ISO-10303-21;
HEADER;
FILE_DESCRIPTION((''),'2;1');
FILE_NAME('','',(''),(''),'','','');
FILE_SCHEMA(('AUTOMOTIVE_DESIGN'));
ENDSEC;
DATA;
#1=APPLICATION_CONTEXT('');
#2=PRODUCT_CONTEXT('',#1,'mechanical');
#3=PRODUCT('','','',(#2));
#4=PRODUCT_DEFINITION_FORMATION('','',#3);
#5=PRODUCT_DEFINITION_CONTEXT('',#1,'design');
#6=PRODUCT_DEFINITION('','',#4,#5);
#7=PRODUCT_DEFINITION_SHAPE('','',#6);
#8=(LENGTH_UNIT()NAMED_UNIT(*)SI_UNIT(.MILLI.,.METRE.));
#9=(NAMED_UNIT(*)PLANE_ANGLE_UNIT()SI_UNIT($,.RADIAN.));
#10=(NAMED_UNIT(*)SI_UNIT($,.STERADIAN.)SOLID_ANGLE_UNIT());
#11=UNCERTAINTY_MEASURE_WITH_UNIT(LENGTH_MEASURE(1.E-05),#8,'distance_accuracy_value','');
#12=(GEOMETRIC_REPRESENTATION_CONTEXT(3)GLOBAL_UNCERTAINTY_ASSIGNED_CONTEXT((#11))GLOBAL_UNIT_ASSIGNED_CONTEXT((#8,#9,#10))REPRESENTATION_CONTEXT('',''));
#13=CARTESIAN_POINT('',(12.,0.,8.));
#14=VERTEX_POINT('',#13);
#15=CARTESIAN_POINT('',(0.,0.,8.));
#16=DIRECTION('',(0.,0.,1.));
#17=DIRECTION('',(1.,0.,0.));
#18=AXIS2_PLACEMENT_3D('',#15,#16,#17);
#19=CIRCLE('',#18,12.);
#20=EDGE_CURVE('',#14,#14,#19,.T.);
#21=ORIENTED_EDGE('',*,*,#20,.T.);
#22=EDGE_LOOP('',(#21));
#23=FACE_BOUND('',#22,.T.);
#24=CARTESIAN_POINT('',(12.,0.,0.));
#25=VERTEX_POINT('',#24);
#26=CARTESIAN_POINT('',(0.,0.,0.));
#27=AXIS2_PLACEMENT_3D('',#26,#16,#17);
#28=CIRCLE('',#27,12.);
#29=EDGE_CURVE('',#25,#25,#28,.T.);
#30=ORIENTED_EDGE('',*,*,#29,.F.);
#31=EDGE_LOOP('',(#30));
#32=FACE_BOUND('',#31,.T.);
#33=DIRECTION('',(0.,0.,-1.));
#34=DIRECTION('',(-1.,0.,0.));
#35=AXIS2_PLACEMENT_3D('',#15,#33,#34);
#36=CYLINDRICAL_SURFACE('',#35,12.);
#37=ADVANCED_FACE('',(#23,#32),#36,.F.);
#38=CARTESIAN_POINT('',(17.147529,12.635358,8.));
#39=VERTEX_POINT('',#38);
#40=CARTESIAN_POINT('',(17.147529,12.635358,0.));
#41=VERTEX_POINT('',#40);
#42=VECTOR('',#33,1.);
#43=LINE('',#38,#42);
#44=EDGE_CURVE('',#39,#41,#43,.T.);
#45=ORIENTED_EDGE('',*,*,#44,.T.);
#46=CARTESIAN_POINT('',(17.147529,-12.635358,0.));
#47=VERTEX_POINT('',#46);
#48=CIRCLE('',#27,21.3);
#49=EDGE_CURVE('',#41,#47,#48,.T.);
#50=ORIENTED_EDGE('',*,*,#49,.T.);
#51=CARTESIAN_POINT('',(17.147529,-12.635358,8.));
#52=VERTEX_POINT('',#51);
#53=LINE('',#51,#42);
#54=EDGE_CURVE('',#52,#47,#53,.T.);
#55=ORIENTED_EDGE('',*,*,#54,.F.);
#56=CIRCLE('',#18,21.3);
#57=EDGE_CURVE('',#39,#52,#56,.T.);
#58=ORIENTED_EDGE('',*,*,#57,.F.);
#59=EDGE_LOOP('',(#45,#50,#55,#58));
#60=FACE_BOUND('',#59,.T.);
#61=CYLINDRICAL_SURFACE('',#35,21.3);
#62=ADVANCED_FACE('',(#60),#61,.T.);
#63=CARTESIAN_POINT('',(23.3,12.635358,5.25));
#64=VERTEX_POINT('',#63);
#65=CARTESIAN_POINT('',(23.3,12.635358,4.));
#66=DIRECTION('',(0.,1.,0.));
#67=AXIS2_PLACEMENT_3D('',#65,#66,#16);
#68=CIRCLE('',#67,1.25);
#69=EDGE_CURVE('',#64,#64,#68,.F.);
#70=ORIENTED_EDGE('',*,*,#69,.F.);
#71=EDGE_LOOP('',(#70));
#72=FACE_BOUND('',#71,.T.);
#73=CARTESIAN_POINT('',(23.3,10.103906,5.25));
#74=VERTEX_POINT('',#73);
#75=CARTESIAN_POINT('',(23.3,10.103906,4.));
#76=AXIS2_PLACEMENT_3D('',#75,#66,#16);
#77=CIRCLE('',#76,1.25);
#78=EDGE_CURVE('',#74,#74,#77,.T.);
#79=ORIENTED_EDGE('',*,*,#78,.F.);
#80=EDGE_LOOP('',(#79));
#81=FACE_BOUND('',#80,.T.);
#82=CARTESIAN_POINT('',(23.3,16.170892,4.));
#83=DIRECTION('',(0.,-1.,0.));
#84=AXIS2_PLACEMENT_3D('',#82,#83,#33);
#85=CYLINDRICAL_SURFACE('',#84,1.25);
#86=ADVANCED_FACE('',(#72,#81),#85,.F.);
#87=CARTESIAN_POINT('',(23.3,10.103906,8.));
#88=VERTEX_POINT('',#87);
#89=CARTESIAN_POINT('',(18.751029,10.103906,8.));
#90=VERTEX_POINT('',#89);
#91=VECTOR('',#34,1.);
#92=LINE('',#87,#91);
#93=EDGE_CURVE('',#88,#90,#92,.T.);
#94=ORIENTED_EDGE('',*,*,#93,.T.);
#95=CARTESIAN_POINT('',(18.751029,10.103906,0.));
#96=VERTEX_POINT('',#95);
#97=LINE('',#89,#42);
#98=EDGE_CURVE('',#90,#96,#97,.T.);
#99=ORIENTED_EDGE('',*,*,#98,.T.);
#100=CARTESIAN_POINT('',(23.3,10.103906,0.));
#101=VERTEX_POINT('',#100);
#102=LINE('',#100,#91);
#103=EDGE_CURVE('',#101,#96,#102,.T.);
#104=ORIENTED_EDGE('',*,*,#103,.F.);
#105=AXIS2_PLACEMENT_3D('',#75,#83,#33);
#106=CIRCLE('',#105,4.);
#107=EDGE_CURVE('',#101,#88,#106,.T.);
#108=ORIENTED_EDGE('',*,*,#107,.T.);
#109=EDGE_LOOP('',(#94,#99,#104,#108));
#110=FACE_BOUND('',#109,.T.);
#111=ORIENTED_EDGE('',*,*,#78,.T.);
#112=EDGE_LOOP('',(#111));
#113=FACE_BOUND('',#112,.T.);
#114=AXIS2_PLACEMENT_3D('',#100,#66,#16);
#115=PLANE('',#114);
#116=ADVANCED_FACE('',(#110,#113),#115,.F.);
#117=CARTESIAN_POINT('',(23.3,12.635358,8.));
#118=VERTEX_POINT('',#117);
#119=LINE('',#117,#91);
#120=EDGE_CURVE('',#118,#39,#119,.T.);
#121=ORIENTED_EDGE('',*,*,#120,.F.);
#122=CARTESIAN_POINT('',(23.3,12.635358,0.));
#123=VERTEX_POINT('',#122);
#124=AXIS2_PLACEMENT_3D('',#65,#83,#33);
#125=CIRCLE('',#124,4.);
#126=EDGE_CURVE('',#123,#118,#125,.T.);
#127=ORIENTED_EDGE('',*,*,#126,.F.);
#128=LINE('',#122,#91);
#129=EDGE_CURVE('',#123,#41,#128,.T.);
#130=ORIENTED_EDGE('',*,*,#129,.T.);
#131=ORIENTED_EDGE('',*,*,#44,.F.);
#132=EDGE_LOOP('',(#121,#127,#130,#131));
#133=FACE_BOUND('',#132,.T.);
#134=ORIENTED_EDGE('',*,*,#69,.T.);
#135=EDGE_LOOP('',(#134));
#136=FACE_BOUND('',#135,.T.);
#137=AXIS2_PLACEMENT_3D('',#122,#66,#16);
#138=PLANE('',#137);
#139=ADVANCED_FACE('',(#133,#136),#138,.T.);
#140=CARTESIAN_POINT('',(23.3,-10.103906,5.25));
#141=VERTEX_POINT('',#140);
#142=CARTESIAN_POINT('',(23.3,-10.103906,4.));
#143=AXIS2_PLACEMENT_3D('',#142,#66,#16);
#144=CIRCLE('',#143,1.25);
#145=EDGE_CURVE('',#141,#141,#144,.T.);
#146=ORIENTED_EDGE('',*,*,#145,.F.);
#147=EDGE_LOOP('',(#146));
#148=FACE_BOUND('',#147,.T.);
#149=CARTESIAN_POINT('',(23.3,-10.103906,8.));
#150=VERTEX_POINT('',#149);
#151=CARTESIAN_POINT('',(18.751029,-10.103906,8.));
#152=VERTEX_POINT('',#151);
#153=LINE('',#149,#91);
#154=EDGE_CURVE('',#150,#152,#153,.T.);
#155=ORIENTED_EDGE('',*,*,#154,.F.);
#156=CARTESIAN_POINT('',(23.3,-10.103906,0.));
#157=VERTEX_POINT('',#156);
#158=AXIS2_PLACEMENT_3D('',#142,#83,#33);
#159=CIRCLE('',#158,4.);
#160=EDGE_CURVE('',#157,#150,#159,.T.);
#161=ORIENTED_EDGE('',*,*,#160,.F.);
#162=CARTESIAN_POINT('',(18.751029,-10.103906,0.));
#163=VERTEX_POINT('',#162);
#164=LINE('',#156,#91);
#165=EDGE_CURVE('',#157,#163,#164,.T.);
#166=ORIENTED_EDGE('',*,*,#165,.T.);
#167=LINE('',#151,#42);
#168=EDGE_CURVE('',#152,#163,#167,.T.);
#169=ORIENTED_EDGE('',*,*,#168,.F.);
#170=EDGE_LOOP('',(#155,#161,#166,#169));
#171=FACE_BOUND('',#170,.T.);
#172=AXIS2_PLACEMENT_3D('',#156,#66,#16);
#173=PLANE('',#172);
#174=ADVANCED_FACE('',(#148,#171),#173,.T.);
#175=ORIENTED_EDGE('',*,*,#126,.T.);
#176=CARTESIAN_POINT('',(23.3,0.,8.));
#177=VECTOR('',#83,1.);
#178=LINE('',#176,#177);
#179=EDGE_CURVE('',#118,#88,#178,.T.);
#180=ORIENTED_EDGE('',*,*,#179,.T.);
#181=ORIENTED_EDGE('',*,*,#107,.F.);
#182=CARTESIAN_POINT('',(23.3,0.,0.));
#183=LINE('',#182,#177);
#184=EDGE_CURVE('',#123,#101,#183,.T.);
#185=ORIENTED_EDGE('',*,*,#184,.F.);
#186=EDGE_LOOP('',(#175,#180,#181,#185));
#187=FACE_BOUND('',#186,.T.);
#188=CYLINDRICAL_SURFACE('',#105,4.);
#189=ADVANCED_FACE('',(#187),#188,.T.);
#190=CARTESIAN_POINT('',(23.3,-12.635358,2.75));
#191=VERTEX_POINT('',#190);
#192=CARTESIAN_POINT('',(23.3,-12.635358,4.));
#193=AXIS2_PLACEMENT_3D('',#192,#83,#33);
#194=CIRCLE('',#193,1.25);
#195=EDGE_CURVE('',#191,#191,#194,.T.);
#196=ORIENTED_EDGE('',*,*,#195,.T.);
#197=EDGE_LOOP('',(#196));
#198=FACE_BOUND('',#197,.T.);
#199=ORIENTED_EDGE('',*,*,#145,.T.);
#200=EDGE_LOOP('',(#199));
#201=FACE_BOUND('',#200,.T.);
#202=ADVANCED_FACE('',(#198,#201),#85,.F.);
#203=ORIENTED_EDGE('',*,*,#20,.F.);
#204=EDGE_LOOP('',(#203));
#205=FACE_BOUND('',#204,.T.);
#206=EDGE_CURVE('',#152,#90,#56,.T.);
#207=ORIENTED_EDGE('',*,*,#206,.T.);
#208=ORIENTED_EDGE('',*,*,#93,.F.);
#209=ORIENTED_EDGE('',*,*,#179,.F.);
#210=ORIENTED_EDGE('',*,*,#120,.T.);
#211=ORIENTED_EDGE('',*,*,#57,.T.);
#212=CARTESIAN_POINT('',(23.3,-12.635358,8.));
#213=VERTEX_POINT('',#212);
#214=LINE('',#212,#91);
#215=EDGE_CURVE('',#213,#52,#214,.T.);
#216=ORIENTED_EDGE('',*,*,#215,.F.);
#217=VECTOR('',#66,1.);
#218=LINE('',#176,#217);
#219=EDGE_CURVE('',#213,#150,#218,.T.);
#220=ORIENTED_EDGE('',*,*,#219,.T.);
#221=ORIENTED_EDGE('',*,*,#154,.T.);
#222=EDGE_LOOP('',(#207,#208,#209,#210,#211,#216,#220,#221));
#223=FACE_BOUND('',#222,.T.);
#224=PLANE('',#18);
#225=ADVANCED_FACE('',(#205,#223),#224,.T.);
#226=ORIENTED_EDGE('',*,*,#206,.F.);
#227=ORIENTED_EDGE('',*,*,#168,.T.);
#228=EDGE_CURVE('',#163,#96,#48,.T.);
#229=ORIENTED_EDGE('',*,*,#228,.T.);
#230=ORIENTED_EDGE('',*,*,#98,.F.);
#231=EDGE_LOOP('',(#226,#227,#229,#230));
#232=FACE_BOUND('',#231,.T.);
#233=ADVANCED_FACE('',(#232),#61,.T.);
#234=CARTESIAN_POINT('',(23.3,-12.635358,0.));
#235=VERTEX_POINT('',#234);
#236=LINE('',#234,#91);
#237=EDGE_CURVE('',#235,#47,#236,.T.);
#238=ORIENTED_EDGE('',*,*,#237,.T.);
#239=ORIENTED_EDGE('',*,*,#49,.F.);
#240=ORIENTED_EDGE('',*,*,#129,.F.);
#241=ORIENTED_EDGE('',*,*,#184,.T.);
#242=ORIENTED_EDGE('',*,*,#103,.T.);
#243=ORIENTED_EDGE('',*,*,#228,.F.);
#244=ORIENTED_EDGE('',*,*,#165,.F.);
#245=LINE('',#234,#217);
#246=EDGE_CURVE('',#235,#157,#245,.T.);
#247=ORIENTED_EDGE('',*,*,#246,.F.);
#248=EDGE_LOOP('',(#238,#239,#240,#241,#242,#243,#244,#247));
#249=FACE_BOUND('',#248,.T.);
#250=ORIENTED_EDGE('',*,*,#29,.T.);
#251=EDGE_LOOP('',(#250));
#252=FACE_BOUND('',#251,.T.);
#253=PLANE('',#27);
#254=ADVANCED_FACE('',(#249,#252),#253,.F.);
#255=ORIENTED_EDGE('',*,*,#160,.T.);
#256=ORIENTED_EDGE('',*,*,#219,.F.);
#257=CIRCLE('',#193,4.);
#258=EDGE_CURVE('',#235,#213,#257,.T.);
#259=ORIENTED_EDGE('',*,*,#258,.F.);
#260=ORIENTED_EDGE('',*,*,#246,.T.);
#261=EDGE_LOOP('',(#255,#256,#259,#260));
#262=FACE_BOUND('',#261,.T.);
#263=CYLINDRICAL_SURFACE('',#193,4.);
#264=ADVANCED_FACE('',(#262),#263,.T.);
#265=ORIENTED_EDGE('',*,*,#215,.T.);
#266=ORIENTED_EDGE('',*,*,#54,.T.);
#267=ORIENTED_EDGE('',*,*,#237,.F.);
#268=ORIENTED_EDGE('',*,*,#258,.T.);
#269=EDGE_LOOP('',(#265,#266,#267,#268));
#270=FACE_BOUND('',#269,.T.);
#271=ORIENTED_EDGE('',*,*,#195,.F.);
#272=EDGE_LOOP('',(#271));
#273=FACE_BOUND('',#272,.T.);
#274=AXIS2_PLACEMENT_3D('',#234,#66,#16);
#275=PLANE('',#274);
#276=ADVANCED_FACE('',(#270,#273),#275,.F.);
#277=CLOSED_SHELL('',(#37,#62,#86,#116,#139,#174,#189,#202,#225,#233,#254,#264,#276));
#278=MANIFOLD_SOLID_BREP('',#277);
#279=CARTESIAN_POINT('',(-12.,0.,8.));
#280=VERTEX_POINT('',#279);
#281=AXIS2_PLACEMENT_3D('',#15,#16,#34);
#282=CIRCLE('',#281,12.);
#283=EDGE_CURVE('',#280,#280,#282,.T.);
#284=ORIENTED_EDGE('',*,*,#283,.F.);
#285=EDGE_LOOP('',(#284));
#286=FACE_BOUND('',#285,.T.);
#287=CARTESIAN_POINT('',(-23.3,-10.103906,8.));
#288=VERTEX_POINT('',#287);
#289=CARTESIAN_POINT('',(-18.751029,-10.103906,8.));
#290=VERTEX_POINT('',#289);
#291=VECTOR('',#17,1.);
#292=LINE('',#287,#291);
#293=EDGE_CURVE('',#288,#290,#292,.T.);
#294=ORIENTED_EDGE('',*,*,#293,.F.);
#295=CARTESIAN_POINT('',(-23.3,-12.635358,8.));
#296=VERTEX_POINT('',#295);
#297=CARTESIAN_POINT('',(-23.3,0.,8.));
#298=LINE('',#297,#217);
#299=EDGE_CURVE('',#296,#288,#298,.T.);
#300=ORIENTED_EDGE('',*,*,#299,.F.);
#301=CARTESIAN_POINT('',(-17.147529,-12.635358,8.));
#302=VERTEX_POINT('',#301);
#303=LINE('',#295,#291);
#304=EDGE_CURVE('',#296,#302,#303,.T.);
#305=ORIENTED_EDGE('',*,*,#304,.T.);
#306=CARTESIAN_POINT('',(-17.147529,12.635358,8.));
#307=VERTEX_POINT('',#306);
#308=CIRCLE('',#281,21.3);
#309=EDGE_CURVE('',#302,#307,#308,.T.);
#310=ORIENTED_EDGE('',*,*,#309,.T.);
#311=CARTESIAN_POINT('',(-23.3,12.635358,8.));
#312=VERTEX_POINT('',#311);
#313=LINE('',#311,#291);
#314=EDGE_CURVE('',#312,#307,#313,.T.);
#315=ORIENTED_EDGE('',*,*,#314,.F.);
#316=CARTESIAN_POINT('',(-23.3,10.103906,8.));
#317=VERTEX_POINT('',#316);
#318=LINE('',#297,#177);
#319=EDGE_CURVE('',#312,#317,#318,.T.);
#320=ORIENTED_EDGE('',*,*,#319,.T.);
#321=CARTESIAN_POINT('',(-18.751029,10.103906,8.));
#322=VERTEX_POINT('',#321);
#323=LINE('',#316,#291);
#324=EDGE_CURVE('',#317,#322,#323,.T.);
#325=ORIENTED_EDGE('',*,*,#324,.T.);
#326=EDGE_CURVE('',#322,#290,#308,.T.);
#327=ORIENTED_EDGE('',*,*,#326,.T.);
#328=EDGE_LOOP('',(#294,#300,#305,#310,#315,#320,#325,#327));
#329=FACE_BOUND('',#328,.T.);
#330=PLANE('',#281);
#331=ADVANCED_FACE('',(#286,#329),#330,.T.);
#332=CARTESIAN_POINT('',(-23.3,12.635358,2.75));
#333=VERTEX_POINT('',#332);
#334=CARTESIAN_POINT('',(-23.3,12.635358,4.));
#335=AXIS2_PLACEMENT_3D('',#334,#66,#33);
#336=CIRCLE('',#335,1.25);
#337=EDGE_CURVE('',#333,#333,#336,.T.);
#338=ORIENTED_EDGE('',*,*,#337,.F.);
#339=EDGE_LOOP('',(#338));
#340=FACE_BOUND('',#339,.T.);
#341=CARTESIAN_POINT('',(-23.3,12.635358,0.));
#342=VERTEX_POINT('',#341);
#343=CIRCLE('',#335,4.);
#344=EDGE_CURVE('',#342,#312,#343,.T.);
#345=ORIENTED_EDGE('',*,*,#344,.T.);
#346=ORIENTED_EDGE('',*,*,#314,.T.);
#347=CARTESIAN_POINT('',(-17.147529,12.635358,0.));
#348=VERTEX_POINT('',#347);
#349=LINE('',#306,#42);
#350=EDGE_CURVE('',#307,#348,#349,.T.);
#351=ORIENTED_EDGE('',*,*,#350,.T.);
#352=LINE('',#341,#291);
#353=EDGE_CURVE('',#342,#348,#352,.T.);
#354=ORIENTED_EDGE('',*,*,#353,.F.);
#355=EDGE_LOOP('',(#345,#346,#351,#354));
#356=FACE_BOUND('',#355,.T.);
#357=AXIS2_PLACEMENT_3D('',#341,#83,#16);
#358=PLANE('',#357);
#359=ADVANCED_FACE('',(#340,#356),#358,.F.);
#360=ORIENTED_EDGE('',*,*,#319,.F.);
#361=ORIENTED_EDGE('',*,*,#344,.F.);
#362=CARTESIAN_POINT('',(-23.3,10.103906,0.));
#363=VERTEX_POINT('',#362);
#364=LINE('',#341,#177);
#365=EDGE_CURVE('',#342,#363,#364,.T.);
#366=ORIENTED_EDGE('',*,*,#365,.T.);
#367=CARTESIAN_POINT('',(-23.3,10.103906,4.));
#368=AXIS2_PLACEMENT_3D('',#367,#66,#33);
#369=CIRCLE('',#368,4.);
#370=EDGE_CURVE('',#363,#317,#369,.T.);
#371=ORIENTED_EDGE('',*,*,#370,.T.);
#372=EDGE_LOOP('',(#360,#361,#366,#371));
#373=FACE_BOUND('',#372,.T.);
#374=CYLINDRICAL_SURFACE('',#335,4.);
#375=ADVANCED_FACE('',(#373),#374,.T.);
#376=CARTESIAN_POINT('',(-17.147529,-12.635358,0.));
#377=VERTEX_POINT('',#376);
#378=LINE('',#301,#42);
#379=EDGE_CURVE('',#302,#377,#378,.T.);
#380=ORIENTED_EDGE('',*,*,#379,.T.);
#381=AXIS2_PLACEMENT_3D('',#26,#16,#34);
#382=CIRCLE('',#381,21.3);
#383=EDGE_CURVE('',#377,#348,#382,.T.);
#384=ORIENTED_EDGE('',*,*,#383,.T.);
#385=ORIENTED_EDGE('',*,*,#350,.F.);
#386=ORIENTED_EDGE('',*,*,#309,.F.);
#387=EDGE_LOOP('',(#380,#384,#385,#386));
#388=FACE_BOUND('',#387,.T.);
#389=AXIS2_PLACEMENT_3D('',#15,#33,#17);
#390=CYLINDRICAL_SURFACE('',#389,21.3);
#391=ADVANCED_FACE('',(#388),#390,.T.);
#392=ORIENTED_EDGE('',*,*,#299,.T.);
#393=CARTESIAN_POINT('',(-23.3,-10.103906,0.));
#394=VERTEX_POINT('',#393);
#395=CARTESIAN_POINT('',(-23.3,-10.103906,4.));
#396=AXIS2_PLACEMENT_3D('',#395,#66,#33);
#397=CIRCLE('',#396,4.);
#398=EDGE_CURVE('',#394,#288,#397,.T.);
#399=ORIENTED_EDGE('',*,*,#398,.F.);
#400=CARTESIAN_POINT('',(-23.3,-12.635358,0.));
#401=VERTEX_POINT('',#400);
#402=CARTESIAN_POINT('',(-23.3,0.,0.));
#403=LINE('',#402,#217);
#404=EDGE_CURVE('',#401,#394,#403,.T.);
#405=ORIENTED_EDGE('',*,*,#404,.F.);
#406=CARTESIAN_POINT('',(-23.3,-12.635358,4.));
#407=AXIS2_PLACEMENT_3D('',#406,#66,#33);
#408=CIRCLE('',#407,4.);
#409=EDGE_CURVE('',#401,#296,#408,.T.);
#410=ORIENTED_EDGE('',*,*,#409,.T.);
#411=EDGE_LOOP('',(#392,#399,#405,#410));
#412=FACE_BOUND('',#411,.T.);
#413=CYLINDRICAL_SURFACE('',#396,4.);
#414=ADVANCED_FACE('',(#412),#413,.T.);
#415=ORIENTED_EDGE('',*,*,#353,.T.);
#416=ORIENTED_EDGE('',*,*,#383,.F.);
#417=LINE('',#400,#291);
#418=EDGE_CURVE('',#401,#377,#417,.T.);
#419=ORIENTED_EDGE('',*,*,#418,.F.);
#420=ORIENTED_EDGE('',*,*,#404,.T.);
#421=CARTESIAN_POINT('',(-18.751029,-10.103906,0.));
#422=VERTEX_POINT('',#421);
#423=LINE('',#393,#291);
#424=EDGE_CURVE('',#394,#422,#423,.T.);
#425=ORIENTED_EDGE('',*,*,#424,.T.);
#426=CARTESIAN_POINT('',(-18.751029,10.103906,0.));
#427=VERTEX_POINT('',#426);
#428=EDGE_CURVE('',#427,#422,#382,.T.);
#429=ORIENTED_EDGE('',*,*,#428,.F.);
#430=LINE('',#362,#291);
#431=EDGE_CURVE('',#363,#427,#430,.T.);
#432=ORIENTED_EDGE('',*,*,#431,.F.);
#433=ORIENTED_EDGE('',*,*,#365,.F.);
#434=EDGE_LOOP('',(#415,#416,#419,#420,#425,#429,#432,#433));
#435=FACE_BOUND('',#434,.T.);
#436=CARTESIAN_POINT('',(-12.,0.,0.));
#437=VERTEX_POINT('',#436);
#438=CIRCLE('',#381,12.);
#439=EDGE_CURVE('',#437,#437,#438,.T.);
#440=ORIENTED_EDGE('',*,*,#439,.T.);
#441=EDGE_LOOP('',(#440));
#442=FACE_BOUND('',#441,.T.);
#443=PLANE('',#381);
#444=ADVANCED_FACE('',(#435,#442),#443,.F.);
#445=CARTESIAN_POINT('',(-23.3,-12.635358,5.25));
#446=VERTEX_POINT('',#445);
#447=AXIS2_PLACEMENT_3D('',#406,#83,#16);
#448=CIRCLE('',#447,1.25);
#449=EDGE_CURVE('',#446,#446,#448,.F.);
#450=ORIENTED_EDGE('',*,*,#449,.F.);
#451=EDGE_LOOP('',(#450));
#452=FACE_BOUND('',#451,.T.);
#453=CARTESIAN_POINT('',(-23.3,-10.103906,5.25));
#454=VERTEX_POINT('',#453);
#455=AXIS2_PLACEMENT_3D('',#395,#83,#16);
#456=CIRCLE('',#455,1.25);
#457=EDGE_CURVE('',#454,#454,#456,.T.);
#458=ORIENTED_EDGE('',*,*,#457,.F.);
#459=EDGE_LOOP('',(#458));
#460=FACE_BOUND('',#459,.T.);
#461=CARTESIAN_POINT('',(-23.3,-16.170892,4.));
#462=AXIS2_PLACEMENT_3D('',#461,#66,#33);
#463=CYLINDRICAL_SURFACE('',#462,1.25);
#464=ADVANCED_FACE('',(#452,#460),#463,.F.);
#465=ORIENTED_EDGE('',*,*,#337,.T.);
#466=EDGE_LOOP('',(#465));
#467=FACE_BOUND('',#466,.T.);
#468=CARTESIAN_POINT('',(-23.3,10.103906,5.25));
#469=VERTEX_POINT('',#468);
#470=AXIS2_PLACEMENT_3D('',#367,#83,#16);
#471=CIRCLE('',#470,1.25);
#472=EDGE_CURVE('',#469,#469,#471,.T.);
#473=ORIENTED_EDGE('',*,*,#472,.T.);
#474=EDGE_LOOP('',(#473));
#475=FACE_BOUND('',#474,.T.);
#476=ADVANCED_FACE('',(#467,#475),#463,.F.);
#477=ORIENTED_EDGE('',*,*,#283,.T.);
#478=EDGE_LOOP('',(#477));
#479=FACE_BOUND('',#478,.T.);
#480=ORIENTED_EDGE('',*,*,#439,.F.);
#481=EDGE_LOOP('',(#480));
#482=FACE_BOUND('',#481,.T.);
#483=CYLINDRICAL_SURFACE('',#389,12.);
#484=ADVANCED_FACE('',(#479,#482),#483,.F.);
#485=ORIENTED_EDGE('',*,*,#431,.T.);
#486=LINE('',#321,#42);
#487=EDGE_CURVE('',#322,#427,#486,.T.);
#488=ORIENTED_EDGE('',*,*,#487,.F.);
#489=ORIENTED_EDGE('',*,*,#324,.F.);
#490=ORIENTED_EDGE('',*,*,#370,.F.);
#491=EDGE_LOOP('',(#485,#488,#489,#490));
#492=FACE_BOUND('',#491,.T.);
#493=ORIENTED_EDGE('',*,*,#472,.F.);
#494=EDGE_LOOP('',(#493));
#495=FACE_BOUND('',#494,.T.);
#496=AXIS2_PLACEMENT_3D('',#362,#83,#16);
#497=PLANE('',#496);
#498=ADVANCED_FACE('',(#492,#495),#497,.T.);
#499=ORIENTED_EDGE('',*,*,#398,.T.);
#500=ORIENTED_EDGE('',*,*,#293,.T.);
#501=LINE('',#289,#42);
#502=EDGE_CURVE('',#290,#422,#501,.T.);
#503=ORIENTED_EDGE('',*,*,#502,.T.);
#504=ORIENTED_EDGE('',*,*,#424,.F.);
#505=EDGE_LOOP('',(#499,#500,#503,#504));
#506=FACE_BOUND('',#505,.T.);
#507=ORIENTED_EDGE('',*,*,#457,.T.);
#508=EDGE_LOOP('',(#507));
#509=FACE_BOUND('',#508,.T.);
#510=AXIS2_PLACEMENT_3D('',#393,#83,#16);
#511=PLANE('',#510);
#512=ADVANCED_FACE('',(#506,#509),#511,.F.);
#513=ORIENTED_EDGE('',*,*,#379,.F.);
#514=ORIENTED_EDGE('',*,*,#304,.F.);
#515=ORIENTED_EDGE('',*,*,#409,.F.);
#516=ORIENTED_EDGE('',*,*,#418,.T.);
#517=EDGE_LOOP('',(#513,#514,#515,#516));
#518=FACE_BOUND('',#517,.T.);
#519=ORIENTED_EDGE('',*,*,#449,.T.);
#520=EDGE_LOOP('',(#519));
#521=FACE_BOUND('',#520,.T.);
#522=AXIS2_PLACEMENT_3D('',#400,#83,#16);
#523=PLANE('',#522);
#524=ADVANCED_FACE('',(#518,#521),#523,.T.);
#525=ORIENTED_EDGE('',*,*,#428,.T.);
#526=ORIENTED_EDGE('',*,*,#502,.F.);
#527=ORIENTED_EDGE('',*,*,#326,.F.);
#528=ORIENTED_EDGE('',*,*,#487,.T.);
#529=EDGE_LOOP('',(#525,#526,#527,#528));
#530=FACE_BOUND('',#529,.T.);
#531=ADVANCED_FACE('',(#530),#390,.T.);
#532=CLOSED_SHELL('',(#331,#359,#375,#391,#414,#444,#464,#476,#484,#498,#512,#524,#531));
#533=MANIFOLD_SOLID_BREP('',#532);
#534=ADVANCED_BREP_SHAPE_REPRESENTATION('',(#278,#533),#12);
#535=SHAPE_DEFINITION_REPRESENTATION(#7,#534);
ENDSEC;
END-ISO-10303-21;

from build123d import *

# Parameters (mm, degrees)
SKETCH2_R           = 21.3
SKETCH2_R_2         = 12
BOSS_EXTRUDE1_DEPTH = 8
SKETCH3_W           = 8
SKETCH3_H           = 2.531451489
BOSS_EXTRUDE2_DEPTH = 7
SKETCH4_W           = 4
SKETCH4_H           = 2.531451489
SKETCH5_W           = 4
SKETCH5_H           = 2.531451489
CUT_EXTRUDE1_REACH  = 46.282
SKETCH6_R           = 1.25
CIRPATTERN2_COUNT   = 2


with BuildPart() as part:
    # Sketch2 → Boss-Extrude1 (new body)
    with BuildSketch(Plane.XY):
        Circle(SKETCH2_R)
        Circle(SKETCH2_R_2, mode=Mode.SUBTRACT)
    extrude(amount=BOSS_EXTRUDE1_DEPTH)

    # Sketch3 → Boss-Extrude2 (add)
    with BuildSketch(Plane(origin=(16.3, 0, 0), x_dir=(0, 0, -1), z_dir=(1, 0, 0))):
        with Locations((-4, -11.369631879)):
            Rectangle(SKETCH3_W, SKETCH3_H)
        with Locations((-4, 11.369631879)):
            Rectangle(SKETCH3_W, SKETCH3_H)
    extrude(amount=BOSS_EXTRUDE2_DEPTH)

    # Sketch4 → Revolve1 (revolve)
    with BuildSketch(Plane(origin=(23.3, 0, 0), x_dir=(0, 0, -1), z_dir=(1, 0, 0))):
        with Locations((-2, 11.369631879)):
            Rectangle(SKETCH4_W, SKETCH4_H)
    revolve(axis=Axis((23.3, 10.103906134, 4), (0, 1, 0)))

    # Sketch5 → Revolve2 (revolve)
    with BuildSketch(Plane(origin=(23.3, 0, 0), x_dir=(0, 0, -1), z_dir=(1, 0, 0))):
        with Locations((-2, -11.369631879)):
            Rectangle(SKETCH5_W, SKETCH5_H)
    revolve(axis=Axis((23.3, -12.635357623, 4), (0, 1, 0)))

    # Cut-Extrude1: up to this face of the body (flat: up to its plane)
    cut_extrude1_end = Plane(part.part.faces().sort_by_distance((21.837440816, 12.635357623, 4))[0])
    # Sketch6 → Cut-Extrude1 (cut, up to the picked face)
    with BuildSketch(Plane(origin=(0, -12.635357623, 0), x_dir=(-1, 0, 0), z_dir=(0, -1, 0)), mode=Mode.PRIVATE) as cut_extrude1_sk1:
        with Locations(Location((-23.3, -4, 0), (0, 0, 90))):
            Circle(SKETCH6_R)
    cut_extrude1_tool1 = split(extrude(cut_extrude1_sk1.sketch, amount=-CUT_EXTRUDE1_REACH, mode=Mode.PRIVATE), bisect_by=cut_extrude1_end, keep=Keep.BOTH, mode=Mode.PRIVATE)
    add(cut_extrude1_tool1.solids().sort_by(Axis((23.3, -12.635358, 4), (0, 1, 0)))[0], mode=Mode.SUBTRACT)


with BuildPart() as cirpattern2_1:
    # CirPattern2: pattern copy
    add(part.part.rotate(Axis((0, 0, 0), (0, 0, 1)), 1 * 360 / CIRPATTERN2_COUNT))


solid = Compound([part.part, cirpattern2_1.part])
